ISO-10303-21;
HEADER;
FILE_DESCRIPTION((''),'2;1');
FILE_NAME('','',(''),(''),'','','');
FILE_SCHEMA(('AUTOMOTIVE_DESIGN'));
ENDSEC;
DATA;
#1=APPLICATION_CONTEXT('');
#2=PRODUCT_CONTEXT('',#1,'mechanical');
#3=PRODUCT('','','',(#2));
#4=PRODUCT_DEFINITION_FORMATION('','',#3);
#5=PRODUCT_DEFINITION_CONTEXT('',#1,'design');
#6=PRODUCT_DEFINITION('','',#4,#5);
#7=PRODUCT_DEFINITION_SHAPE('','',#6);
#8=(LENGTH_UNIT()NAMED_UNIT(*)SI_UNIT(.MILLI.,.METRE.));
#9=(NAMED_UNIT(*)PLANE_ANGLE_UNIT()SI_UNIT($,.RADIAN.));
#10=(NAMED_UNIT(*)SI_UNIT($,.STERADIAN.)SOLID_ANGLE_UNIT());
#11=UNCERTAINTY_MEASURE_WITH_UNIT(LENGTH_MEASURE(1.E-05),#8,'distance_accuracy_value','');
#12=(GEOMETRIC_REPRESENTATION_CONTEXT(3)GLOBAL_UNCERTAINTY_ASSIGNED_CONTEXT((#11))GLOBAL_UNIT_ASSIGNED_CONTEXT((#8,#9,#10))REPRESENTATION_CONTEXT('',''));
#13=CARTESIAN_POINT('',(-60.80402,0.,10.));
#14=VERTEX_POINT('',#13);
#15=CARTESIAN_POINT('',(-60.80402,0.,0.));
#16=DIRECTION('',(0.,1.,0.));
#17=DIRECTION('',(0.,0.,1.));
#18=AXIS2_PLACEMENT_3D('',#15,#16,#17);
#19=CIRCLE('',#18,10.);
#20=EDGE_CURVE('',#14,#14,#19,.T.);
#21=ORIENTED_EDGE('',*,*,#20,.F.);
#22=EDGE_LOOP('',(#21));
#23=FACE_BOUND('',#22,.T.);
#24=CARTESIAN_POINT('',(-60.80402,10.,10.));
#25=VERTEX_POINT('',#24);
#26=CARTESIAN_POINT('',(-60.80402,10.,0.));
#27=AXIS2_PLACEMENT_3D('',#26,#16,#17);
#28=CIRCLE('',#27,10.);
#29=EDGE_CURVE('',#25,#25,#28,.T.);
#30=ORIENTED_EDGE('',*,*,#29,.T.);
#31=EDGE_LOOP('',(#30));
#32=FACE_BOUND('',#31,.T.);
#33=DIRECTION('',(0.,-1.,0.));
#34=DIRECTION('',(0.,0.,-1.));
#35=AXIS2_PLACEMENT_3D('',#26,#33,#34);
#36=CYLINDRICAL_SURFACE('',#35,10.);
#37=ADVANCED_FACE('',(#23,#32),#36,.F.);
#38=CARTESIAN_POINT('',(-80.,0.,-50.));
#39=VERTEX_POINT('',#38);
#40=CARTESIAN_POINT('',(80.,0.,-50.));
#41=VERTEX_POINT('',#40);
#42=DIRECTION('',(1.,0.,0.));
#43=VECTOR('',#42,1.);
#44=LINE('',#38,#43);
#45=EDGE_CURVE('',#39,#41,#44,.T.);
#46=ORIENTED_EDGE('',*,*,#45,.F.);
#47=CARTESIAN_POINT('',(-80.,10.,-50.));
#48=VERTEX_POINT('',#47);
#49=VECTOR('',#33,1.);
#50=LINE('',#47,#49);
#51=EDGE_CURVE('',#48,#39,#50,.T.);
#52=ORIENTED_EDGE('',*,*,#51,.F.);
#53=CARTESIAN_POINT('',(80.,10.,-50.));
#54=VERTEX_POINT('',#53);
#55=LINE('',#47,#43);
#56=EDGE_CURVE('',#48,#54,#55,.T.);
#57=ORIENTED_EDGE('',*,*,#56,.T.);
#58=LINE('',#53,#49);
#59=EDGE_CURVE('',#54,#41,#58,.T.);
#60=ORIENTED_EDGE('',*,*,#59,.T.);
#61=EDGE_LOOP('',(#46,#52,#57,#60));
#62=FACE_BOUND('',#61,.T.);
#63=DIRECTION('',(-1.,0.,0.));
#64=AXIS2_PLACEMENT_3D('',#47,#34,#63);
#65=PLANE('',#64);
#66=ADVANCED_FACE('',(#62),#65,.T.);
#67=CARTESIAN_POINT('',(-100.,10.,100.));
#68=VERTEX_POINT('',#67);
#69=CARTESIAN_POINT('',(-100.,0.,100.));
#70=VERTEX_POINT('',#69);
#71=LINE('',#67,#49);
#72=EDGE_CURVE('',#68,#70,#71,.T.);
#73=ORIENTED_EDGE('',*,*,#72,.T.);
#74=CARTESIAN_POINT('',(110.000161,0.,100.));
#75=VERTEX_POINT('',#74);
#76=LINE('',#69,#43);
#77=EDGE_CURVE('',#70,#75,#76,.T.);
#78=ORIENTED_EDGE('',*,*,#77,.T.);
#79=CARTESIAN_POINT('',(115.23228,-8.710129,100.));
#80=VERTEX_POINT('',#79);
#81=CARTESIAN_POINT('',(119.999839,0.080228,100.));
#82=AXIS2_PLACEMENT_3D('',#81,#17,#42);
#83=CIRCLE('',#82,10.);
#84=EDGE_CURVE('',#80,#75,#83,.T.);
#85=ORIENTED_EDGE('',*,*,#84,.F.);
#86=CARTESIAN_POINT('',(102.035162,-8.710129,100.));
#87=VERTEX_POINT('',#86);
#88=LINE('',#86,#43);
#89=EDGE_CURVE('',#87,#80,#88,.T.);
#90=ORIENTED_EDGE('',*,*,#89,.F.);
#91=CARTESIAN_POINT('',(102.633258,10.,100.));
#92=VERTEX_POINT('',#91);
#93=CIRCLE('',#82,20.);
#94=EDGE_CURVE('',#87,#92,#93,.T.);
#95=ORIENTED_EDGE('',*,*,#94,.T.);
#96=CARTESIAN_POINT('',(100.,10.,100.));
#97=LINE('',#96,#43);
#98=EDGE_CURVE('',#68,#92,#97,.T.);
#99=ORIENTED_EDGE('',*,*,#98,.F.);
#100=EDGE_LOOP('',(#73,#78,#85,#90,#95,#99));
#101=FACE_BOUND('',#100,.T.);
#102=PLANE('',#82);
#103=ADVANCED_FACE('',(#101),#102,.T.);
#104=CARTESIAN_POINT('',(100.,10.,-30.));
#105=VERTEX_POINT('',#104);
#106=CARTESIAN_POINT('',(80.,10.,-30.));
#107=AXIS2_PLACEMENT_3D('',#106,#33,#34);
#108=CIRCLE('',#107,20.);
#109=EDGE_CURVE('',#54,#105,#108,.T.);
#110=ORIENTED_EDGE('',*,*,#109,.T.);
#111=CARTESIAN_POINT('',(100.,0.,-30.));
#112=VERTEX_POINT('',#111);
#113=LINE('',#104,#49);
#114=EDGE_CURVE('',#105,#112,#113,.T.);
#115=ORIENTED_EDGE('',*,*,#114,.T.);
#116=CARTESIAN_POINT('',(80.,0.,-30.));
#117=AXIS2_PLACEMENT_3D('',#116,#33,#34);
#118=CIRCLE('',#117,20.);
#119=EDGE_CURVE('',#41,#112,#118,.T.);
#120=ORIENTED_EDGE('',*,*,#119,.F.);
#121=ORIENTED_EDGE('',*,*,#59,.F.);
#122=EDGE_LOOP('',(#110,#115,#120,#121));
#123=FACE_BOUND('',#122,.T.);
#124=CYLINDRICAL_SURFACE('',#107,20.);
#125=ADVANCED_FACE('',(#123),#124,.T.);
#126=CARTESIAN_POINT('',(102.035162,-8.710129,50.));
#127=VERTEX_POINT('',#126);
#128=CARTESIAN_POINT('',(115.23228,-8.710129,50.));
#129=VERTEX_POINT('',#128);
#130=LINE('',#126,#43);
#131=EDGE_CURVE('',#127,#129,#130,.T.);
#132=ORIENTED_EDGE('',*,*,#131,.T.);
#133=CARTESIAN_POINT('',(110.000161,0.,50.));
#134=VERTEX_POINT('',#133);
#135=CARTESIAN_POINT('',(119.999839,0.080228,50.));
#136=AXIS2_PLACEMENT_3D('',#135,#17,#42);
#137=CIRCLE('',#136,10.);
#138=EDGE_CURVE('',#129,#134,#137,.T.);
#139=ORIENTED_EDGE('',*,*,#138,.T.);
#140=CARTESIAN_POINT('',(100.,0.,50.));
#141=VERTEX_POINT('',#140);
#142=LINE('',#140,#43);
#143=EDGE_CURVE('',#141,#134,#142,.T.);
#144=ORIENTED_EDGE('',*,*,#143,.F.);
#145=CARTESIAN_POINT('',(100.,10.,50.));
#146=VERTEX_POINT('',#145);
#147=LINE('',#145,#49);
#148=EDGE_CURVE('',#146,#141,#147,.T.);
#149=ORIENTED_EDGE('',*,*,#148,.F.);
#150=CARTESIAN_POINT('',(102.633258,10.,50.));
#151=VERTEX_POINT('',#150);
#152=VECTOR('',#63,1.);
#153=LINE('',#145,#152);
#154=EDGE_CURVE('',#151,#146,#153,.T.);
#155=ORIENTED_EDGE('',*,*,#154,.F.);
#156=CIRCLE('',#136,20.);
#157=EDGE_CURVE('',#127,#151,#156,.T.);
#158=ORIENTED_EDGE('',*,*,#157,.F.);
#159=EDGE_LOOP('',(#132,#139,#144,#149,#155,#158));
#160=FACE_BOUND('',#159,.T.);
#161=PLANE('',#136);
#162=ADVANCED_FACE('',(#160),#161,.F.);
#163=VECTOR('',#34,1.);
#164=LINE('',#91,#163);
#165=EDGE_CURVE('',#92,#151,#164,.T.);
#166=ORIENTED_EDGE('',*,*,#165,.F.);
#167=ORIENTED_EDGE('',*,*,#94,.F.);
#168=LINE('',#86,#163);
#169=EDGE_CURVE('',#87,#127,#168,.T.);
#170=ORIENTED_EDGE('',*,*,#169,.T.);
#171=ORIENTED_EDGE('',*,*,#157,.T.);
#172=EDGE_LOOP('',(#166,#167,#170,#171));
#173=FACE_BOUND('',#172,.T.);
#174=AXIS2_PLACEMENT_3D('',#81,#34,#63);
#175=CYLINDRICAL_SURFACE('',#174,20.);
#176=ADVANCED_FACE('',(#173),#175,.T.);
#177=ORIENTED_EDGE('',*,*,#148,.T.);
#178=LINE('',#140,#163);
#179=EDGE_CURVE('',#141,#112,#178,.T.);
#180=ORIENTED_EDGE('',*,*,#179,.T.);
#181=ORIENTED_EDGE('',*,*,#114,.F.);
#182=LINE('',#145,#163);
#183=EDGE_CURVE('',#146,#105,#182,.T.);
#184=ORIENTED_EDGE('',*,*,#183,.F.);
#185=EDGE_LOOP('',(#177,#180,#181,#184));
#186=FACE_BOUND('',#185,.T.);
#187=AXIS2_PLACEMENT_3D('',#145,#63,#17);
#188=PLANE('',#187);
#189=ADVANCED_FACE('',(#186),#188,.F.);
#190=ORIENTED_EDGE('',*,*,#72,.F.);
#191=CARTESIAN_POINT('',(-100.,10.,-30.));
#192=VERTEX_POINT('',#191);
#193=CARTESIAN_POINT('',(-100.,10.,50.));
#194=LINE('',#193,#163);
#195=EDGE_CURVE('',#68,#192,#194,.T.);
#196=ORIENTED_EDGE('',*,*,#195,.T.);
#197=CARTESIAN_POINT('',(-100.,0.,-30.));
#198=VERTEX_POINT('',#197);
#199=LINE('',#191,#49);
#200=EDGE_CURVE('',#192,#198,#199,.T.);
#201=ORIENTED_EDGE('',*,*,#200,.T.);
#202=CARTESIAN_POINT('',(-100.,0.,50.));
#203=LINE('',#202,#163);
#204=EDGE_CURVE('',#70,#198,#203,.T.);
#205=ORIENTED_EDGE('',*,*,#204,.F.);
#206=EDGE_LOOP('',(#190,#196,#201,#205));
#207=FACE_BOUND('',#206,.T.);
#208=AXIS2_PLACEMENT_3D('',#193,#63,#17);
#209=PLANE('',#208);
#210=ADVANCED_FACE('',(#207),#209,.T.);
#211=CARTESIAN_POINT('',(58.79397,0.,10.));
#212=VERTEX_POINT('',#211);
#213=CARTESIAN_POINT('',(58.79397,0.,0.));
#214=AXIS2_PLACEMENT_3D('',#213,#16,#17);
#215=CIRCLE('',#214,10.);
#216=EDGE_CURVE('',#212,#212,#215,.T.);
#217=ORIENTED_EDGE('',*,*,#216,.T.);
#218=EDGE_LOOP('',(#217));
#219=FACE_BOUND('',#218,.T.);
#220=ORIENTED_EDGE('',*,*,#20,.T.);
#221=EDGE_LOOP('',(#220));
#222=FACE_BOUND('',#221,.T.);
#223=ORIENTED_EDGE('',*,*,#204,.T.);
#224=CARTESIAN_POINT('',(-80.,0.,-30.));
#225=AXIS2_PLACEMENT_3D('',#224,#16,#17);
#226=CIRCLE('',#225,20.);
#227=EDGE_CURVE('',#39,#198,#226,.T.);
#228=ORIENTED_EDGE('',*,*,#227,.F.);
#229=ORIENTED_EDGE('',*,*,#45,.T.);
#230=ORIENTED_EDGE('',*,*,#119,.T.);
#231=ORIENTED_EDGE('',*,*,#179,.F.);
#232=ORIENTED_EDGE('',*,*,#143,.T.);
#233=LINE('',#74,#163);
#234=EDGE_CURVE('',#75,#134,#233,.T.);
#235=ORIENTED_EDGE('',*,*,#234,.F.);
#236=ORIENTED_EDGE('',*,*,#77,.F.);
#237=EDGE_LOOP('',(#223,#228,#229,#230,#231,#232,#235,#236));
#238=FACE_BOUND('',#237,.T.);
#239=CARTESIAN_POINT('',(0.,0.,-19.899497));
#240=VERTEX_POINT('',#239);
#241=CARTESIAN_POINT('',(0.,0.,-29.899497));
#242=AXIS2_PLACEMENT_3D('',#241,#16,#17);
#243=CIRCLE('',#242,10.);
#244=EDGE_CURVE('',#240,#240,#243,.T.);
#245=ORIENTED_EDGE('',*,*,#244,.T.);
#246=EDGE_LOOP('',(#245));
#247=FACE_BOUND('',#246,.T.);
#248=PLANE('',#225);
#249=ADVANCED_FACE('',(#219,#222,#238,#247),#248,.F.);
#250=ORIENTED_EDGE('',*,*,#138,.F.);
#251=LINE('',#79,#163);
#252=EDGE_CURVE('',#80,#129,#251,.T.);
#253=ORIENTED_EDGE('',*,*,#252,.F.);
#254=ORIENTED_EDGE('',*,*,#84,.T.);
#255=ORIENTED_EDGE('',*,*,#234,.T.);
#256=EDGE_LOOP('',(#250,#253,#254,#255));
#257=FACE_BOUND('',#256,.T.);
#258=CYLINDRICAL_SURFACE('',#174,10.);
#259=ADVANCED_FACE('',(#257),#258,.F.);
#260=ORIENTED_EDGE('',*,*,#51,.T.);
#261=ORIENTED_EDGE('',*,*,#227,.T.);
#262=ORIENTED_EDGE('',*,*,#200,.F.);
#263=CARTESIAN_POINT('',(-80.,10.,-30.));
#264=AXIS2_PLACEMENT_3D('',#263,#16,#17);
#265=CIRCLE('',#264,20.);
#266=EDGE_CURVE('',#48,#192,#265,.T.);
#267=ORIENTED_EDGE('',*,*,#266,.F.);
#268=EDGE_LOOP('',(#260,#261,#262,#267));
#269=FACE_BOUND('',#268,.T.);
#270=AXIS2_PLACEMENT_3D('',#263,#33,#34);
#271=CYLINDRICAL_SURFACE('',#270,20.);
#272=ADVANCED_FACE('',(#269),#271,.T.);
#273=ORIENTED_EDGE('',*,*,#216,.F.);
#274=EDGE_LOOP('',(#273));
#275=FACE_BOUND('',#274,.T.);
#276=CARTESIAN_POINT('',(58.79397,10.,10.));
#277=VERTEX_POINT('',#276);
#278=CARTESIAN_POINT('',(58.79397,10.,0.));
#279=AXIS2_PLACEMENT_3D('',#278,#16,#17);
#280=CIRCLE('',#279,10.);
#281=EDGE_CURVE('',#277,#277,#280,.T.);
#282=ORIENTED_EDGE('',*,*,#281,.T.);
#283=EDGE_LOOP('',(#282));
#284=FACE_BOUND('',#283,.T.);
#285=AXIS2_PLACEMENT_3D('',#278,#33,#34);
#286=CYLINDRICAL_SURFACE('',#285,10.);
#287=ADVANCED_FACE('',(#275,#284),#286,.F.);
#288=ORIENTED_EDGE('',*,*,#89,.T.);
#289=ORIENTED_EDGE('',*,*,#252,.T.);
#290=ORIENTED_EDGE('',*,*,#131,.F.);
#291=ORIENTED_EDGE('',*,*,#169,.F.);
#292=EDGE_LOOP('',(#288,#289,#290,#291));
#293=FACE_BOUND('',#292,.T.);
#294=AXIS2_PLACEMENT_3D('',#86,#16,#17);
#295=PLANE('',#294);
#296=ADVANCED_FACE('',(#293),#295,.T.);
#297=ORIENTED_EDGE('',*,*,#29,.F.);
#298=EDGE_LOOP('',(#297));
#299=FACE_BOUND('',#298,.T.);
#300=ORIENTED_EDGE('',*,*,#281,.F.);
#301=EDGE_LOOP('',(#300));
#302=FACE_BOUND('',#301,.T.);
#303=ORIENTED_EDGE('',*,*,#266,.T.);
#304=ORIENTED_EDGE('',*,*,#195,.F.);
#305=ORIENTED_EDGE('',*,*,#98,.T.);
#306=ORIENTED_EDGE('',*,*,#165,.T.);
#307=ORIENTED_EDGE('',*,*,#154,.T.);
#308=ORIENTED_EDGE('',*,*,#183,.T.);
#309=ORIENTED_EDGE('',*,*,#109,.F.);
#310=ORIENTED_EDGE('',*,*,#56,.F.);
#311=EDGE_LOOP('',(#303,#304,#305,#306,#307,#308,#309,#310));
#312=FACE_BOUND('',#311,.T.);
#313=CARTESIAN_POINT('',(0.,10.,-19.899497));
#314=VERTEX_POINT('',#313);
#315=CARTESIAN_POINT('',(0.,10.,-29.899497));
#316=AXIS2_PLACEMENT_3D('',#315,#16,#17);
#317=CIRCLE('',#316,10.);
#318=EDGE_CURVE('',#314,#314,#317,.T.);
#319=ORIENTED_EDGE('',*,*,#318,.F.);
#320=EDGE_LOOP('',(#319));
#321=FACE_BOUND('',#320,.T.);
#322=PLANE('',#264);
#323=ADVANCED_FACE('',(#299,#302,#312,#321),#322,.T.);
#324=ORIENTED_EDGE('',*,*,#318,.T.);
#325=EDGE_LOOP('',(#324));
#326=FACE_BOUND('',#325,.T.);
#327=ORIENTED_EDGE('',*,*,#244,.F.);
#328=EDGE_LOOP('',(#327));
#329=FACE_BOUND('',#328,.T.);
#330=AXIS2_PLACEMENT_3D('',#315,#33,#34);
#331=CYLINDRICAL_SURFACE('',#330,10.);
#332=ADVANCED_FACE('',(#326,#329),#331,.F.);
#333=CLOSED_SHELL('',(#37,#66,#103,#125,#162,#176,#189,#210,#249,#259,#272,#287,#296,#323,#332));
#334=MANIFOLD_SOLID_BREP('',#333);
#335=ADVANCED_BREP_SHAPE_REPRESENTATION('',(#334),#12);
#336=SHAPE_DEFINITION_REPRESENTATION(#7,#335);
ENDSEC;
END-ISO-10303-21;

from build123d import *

# Parameters (mm, degrees)
SKETCH2_R           = 10
BOSS_EXTRUDE2_DEPTH = 10
BOSS_EXTRUDE4_DEPTH = 50


with BuildPart() as part:
    # Sketch2 → Boss-Extrude2 (new body)
    with BuildSketch(Plane(origin=(0, 0, 0), x_dir=(1, 0, 0), z_dir=(0, 1, 0))):
        with BuildLine():
            Line((-100, -50), (100, -50))
            Line((100, -50), (100, 30))
            ThreePointArc((100, 30), (94.142135624, 44.142135624), (80, 50))
            Line((80, 50), (-80, 50))
            ThreePointArc((-80, 50), (-94.142135624, 44.142135624), (-100, 30))
            Line((-100, 30), (-100, -50))
        make_face()
        with Locations(Location((58.793969849, 0, 0), (0, 0, 270))):
            Circle(SKETCH2_R, mode=Mode.SUBTRACT)
        with Locations(Location((-60.804020101, 0, 0), (0, 0, 270))):
            Circle(SKETCH2_R, mode=Mode.SUBTRACT)
        with Locations(Location((0, 29.899497487, 0), (0, 0, 270))):
            Circle(SKETCH2_R, mode=Mode.SUBTRACT)
    extrude(amount=BOSS_EXTRUDE2_DEPTH)

    # Sketch3 → Boss-Extrude4 (add)
    with BuildSketch(Plane.XY.offset(50)):
        with BuildLine():
            Line((100, 10), (102.633258285, 10))
            ThreePointArc((102.633258285, 10), (139.989628378, -0.558774103), (102.0351621, -8.710129001))
            Line((102.0351621, -8.710129001), (115.232280048, -8.710129001))
            ThreePointArc((115.232280048, -8.710129001), (128.572143936, 5.229557302), (110.000160919, 0))
            Line((110.000160919, 0), (100, 0))
            Line((100, 0), (-100, 0))
            Line((-100, 0), (-100, 10))
            Line((-100, 10), (100, 10))
        make_face()
    extrude(amount=BOSS_EXTRUDE4_DEPTH)


solid = part.part
